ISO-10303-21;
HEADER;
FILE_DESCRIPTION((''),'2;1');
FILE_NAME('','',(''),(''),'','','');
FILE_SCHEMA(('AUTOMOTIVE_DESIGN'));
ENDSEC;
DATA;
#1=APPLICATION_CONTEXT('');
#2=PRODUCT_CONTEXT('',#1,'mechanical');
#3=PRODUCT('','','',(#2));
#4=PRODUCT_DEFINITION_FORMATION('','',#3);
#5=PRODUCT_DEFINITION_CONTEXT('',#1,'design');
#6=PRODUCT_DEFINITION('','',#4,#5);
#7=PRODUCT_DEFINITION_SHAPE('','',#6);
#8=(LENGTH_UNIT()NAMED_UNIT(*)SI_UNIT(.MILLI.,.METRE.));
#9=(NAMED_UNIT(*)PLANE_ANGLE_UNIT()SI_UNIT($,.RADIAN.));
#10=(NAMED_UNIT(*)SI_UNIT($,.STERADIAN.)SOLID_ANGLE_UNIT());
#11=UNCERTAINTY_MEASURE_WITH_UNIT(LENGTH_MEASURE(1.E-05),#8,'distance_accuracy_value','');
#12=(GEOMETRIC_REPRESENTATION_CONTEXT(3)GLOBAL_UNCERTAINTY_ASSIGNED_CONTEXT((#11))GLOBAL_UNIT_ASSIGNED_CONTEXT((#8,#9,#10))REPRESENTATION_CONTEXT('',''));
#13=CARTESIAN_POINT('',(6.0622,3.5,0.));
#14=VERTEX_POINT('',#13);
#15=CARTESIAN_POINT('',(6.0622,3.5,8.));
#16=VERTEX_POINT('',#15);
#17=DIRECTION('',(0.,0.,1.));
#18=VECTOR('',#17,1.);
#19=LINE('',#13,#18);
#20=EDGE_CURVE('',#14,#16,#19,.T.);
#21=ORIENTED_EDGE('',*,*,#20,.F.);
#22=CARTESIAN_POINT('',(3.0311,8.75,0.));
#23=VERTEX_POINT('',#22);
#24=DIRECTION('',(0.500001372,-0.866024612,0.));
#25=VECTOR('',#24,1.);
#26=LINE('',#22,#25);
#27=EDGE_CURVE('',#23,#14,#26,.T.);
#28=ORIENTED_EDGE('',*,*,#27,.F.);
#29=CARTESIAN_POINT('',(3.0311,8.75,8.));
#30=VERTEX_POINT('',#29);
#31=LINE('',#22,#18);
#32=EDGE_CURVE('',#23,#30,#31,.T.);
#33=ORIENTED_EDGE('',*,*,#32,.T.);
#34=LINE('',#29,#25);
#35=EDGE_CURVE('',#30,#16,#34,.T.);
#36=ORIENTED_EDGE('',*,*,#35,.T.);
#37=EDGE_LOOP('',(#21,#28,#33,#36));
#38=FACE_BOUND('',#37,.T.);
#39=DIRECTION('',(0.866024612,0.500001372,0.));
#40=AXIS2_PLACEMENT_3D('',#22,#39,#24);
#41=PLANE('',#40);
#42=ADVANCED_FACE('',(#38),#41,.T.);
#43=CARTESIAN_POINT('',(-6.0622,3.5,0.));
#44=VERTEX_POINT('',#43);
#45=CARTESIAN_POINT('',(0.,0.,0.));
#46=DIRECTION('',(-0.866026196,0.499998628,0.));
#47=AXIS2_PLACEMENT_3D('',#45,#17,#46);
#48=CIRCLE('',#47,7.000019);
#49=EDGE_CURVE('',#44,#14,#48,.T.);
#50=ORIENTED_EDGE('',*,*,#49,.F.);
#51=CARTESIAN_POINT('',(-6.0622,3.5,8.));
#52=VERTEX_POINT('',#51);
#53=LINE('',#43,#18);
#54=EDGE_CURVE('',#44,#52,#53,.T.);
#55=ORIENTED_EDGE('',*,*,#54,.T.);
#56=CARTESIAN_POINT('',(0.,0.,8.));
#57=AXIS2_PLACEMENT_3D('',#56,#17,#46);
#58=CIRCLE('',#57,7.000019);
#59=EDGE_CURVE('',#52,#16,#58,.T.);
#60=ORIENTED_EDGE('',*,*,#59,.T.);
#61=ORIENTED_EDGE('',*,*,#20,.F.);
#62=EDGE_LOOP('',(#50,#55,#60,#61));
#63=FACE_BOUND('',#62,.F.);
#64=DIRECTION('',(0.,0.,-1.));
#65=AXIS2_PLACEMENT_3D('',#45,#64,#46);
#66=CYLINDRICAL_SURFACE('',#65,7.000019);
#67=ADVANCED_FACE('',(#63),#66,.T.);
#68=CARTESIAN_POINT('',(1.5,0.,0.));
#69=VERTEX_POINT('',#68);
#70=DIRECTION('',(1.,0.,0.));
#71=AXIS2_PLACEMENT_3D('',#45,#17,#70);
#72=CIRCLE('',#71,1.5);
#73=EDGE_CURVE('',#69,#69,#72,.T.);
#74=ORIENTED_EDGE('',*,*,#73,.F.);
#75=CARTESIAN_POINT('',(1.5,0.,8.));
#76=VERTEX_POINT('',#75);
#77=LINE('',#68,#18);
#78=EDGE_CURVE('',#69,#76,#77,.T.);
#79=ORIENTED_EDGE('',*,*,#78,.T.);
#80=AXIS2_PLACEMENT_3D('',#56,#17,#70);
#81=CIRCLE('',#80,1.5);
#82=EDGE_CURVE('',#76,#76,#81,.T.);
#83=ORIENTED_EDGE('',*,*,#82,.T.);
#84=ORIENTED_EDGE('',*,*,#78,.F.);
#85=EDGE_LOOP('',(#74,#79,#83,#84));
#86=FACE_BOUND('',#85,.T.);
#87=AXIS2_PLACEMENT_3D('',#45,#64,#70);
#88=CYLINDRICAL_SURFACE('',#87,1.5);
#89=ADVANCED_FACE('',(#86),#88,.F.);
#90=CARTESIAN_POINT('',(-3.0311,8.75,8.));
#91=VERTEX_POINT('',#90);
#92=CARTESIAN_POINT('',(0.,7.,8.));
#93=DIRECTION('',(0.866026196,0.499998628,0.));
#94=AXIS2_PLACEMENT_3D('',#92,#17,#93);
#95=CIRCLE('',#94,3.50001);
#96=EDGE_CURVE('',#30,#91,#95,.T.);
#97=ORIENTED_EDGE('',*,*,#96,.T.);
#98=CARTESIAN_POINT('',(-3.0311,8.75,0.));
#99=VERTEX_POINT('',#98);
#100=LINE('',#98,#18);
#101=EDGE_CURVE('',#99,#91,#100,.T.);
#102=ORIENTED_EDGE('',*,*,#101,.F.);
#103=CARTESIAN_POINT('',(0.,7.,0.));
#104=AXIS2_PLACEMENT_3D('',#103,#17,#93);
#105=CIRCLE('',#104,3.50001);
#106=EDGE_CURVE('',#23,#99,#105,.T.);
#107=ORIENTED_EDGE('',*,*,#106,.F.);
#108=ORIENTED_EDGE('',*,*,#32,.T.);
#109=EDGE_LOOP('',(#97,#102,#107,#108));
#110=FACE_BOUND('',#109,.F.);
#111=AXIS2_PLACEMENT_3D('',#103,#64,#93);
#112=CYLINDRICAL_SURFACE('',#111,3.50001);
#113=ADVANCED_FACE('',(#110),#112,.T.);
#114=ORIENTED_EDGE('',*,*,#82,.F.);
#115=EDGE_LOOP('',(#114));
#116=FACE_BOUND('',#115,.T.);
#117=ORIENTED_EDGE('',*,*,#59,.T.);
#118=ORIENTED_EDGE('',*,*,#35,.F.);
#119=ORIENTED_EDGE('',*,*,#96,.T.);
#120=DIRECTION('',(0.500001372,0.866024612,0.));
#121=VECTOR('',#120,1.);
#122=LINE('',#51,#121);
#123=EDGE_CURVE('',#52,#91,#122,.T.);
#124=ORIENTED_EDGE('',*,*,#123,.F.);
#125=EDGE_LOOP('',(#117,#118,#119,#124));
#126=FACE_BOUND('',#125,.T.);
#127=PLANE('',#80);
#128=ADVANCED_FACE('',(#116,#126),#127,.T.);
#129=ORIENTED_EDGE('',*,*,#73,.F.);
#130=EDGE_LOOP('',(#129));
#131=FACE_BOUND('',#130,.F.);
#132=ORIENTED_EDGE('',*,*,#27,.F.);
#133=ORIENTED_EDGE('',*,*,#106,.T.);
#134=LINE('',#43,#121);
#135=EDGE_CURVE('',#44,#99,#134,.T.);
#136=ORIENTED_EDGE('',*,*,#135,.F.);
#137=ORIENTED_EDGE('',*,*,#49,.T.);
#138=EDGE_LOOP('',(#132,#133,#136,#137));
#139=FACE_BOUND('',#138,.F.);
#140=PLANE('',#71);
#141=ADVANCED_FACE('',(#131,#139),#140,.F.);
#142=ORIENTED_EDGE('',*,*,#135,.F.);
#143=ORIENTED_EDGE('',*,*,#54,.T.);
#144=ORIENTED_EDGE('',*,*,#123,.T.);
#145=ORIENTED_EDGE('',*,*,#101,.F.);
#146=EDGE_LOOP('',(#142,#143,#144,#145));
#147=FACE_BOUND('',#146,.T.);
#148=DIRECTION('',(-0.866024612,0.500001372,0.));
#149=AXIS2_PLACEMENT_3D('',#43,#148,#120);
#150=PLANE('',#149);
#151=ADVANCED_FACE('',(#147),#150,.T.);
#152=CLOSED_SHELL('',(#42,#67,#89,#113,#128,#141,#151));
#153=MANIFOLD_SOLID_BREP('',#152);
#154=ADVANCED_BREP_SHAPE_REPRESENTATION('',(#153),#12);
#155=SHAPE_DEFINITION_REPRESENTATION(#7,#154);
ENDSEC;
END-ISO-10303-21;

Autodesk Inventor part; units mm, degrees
ref_plane "YZ Plane" through (0, 0, 0) normal (1, 0, 0) x (0, 1, 0)
ref_plane "XZ Plane" through (0, 0, 0) normal (0, 1, 0) x (-1, 0, 0)
ref_plane "XY Plane" through (0, 0, 0) normal (0, 0, 1) x (1, 0, 0)
sketch "Sketch5" plane through (0, 0, 0) normal (0, 0, 1) x (1, 0, 0)
  arc A0 (-6.0622, 3.5) -> (6.0622, 3.5) centre (0, 0) ccw
  arc A1 (3.0311, 8.75) -> (-3.0311, 8.75) centre (0, 7) ccw
  line L0 (-6.0622, 3.5) -> (-3.0311, 8.75)
  line L1 (3.0311, 8.75) -> (6.0622, 3.5)
  circle A2 centre (0, 0) radius 1.5
  dimension "d21" = 14
  dimension "d22" = 7
  dimension "d23" = 7
  dimension "d24" = 3
extrude "Extrusion3" add sketch "Sketch5" along normal blind 8
properties part number "Pear cam 2"
